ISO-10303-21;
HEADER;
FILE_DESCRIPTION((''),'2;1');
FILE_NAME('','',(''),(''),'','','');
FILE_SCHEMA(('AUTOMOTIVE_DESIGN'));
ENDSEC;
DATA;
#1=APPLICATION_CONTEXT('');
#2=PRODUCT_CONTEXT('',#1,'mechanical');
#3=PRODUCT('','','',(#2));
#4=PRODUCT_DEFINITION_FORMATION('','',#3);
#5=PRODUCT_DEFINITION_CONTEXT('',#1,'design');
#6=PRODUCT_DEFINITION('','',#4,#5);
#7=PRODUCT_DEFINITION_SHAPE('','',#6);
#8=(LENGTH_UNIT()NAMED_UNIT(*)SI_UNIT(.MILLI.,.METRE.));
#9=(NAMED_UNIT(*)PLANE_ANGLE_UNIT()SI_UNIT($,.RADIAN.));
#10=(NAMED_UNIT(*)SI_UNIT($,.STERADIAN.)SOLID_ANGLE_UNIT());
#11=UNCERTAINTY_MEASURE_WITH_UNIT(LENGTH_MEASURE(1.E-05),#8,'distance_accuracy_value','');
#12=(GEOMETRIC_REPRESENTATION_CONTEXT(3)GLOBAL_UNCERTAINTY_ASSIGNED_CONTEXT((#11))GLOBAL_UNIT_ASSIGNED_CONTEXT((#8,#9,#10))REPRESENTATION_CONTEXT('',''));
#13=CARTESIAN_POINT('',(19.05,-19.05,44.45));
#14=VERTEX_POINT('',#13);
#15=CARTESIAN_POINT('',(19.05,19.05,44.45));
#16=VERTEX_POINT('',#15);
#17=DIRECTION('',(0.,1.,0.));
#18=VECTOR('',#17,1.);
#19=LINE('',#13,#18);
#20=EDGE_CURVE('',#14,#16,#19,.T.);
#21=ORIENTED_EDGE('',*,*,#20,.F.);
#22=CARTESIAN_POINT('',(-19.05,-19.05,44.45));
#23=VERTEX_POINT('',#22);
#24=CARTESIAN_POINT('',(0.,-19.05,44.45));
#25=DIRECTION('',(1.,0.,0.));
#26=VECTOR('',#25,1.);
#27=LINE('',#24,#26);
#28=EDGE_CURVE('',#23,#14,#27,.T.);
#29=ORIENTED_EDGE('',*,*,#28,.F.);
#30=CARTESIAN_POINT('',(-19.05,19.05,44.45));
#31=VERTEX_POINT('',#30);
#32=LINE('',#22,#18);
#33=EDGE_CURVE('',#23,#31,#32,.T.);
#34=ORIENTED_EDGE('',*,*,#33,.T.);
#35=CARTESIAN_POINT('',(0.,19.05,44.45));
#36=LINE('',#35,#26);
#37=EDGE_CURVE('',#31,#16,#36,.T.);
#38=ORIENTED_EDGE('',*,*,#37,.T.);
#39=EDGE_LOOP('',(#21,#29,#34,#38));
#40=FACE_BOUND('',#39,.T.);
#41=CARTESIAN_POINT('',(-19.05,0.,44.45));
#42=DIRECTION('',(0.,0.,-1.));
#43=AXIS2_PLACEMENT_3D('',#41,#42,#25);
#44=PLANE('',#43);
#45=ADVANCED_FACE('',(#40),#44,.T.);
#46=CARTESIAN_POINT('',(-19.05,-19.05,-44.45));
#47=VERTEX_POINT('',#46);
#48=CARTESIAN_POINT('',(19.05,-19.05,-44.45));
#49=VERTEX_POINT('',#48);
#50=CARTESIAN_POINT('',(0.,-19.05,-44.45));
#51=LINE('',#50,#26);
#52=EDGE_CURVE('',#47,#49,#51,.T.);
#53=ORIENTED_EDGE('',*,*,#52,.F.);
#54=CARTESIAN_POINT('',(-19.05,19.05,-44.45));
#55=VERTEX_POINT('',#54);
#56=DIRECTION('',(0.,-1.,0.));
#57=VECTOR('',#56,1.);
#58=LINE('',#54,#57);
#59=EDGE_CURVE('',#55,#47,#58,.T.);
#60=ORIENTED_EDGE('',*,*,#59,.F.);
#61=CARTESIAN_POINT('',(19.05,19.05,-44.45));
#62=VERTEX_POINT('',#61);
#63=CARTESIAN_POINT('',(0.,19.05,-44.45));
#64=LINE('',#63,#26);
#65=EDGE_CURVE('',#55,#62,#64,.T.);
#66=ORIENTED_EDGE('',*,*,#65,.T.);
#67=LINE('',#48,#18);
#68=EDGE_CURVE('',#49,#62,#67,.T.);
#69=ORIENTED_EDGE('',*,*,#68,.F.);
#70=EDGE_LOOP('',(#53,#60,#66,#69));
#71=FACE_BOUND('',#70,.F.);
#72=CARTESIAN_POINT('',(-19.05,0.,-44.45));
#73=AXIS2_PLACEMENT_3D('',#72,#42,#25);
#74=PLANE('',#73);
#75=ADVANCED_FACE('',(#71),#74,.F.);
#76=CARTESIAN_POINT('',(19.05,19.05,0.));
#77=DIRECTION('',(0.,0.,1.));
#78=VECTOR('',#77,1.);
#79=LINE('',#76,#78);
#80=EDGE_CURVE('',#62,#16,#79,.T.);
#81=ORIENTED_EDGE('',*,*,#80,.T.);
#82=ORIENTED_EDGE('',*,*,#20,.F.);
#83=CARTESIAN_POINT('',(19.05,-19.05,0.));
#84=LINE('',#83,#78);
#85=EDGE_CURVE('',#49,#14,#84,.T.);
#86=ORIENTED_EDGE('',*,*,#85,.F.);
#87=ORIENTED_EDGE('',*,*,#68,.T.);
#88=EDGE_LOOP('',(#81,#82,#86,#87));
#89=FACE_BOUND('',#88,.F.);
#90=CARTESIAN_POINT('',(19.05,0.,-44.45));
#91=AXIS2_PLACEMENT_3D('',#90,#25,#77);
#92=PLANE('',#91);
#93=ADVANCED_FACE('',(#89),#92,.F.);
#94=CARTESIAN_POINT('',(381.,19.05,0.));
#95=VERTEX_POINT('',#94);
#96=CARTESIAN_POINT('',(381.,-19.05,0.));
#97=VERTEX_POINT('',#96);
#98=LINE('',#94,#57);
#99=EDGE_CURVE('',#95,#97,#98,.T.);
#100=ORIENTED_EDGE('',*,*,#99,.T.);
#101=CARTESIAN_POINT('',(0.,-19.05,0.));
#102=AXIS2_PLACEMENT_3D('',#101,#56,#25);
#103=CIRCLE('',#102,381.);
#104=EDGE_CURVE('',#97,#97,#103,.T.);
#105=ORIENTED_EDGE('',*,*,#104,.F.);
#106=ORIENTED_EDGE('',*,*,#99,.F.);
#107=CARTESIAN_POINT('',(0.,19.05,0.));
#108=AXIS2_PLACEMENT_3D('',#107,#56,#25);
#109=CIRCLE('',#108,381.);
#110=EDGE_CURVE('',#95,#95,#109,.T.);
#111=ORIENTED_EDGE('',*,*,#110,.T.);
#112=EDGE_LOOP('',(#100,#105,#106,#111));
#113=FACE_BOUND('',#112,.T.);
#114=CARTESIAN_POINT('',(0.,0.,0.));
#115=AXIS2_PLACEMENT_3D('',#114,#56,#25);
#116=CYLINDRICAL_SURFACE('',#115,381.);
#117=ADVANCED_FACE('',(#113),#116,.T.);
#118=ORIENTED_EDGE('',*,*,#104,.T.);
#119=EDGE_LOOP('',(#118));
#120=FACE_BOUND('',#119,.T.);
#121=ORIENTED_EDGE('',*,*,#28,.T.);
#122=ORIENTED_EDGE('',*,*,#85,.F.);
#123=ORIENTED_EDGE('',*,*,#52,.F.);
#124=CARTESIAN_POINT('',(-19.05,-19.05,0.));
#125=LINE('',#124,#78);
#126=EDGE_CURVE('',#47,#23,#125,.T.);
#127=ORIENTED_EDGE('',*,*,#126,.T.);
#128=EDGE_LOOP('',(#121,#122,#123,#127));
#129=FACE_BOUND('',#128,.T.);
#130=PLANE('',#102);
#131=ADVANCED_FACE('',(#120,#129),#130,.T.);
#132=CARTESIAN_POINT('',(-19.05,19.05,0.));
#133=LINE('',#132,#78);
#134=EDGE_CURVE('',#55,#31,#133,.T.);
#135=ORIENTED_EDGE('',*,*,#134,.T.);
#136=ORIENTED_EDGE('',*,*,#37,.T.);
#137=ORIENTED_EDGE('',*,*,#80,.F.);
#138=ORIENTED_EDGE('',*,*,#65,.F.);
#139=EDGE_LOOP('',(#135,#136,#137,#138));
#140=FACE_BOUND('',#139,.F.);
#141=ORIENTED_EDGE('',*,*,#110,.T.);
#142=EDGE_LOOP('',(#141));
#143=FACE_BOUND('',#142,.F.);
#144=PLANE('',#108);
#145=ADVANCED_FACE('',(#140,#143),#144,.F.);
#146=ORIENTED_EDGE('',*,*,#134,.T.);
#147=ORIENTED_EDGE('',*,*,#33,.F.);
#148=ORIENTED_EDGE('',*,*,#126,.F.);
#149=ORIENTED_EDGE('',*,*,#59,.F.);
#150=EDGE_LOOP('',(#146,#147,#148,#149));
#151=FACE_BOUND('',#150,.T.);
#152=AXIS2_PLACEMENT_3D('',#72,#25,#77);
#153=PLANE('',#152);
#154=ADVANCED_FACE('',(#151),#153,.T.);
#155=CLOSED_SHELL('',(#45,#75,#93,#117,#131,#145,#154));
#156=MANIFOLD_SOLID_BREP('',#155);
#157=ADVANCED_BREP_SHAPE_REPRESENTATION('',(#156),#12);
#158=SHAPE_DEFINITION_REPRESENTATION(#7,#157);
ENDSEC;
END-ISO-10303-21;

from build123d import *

# Parameters (mm, degrees)
F0_R     = 381
F0_W     = 38.1
F0_H     = 88.9
F1_DEPTH = 19.05


with BuildPart() as f1:
    # F0 (on Front) → F1 (new body, symmetric)
    with BuildSketch(Plane.XZ):
        Circle(F0_R)
        Rectangle(F0_W, F0_H, mode=Mode.SUBTRACT)
    extrude(amount=F1_DEPTH, both=True)


solid = f1.part
